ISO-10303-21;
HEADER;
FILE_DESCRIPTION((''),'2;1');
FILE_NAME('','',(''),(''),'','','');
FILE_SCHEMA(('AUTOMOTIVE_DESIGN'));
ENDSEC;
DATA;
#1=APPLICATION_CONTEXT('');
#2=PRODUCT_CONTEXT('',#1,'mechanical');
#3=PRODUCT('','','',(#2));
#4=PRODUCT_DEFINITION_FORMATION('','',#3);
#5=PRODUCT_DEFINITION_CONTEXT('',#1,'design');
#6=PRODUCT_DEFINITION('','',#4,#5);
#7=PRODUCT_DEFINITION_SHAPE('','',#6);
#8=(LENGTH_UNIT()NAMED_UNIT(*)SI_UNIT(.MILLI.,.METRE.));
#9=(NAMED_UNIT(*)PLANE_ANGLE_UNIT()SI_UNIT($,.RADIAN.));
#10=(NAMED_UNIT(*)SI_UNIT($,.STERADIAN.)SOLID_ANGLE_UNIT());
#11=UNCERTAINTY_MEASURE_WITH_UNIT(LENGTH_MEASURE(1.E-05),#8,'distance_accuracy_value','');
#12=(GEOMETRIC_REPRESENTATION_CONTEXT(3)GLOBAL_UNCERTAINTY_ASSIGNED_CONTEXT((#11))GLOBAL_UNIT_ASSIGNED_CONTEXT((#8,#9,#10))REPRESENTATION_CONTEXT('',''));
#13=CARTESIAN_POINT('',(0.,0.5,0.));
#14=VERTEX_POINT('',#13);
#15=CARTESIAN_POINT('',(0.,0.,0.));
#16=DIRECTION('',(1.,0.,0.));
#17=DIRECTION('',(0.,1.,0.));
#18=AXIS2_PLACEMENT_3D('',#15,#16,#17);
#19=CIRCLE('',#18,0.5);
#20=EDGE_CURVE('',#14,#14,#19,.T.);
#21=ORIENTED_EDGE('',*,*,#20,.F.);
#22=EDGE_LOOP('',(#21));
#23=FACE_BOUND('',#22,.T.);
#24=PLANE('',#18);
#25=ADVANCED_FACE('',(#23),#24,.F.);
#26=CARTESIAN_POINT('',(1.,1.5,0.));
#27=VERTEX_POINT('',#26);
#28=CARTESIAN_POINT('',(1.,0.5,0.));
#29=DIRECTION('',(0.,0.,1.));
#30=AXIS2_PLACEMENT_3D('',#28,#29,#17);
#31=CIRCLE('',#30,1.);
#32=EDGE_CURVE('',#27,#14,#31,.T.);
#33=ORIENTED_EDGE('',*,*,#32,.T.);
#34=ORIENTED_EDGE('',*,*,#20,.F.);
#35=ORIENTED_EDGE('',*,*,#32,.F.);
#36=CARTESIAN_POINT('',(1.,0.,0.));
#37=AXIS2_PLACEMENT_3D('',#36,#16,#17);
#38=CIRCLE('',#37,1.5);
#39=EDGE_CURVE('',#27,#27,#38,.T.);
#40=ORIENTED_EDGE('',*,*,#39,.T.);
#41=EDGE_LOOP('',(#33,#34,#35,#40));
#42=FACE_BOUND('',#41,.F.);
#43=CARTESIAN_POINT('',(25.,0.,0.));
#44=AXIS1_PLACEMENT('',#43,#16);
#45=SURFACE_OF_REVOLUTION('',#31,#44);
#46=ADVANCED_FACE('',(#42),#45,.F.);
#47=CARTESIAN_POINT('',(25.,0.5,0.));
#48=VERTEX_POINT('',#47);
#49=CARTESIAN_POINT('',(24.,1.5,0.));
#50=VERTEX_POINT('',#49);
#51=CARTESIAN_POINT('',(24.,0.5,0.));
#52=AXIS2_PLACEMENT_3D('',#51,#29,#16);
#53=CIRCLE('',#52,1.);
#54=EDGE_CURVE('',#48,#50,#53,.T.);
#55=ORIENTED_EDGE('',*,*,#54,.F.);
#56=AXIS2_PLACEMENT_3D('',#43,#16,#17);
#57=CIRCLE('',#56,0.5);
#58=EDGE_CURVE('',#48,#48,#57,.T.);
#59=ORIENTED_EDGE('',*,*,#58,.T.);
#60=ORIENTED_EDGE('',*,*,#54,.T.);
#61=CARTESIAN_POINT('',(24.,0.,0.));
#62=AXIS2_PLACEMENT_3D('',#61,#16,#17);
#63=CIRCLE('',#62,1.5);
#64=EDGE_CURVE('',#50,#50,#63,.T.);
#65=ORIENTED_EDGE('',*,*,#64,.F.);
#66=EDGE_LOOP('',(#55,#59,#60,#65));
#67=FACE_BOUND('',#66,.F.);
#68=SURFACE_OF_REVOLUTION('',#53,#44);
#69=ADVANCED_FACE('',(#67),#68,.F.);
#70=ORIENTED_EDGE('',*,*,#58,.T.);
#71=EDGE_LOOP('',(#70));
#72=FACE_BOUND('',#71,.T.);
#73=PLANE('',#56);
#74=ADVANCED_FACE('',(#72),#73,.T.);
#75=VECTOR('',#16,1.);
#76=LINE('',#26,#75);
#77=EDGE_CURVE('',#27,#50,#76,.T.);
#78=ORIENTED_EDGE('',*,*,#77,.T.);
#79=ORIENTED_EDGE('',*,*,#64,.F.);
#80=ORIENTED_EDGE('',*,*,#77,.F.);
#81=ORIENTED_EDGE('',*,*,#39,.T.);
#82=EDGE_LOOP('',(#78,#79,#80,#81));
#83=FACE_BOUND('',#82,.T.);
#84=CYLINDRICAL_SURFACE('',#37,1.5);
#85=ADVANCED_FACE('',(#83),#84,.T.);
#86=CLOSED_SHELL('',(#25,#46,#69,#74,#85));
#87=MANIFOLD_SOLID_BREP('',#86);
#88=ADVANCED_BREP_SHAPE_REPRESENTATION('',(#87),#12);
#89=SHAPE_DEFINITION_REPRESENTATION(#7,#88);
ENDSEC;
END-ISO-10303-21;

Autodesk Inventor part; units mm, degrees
sketch "Sketch_1" plane through (0, 0, 0) normal (0, 0, 1) x (1, 0, 0)
  line L0 (25, 0) -> (0, 0)
  line L1 (0, 0) -> (0, 0.5)
  arc A0 (1, 1.5) -> (0, 0.5) centre (1, 0.5) ccw
  line L2 (1, 1.5) -> (24, 1.5)
  arc A1 (25, 0.5) -> (24, 1.5) centre (24, 0.5) ccw
  line L3 (25, 0.5) -> (25, 0)
  line L4 (25, 0) -> (0, 0)
revolve "Revolution1" add sketch "Sketch_1" angle 360 about axis through (25, 0, 0) along (1, 0, 0)
ref_plane "pin_XY" through (0, 0, 0) normal (1, 0, 0) x (0, 0, -1)
ref_plane "pin_YZ" through (0, 0, 0) normal (0, 0, -1) x (0, 1, 0)
ref_plane "pin_ZX" through (0, 0, 0) normal (0, 1, 0) x (1, 0, 0)
properties part number "pHHKS25" material "ステンレス鋼"
